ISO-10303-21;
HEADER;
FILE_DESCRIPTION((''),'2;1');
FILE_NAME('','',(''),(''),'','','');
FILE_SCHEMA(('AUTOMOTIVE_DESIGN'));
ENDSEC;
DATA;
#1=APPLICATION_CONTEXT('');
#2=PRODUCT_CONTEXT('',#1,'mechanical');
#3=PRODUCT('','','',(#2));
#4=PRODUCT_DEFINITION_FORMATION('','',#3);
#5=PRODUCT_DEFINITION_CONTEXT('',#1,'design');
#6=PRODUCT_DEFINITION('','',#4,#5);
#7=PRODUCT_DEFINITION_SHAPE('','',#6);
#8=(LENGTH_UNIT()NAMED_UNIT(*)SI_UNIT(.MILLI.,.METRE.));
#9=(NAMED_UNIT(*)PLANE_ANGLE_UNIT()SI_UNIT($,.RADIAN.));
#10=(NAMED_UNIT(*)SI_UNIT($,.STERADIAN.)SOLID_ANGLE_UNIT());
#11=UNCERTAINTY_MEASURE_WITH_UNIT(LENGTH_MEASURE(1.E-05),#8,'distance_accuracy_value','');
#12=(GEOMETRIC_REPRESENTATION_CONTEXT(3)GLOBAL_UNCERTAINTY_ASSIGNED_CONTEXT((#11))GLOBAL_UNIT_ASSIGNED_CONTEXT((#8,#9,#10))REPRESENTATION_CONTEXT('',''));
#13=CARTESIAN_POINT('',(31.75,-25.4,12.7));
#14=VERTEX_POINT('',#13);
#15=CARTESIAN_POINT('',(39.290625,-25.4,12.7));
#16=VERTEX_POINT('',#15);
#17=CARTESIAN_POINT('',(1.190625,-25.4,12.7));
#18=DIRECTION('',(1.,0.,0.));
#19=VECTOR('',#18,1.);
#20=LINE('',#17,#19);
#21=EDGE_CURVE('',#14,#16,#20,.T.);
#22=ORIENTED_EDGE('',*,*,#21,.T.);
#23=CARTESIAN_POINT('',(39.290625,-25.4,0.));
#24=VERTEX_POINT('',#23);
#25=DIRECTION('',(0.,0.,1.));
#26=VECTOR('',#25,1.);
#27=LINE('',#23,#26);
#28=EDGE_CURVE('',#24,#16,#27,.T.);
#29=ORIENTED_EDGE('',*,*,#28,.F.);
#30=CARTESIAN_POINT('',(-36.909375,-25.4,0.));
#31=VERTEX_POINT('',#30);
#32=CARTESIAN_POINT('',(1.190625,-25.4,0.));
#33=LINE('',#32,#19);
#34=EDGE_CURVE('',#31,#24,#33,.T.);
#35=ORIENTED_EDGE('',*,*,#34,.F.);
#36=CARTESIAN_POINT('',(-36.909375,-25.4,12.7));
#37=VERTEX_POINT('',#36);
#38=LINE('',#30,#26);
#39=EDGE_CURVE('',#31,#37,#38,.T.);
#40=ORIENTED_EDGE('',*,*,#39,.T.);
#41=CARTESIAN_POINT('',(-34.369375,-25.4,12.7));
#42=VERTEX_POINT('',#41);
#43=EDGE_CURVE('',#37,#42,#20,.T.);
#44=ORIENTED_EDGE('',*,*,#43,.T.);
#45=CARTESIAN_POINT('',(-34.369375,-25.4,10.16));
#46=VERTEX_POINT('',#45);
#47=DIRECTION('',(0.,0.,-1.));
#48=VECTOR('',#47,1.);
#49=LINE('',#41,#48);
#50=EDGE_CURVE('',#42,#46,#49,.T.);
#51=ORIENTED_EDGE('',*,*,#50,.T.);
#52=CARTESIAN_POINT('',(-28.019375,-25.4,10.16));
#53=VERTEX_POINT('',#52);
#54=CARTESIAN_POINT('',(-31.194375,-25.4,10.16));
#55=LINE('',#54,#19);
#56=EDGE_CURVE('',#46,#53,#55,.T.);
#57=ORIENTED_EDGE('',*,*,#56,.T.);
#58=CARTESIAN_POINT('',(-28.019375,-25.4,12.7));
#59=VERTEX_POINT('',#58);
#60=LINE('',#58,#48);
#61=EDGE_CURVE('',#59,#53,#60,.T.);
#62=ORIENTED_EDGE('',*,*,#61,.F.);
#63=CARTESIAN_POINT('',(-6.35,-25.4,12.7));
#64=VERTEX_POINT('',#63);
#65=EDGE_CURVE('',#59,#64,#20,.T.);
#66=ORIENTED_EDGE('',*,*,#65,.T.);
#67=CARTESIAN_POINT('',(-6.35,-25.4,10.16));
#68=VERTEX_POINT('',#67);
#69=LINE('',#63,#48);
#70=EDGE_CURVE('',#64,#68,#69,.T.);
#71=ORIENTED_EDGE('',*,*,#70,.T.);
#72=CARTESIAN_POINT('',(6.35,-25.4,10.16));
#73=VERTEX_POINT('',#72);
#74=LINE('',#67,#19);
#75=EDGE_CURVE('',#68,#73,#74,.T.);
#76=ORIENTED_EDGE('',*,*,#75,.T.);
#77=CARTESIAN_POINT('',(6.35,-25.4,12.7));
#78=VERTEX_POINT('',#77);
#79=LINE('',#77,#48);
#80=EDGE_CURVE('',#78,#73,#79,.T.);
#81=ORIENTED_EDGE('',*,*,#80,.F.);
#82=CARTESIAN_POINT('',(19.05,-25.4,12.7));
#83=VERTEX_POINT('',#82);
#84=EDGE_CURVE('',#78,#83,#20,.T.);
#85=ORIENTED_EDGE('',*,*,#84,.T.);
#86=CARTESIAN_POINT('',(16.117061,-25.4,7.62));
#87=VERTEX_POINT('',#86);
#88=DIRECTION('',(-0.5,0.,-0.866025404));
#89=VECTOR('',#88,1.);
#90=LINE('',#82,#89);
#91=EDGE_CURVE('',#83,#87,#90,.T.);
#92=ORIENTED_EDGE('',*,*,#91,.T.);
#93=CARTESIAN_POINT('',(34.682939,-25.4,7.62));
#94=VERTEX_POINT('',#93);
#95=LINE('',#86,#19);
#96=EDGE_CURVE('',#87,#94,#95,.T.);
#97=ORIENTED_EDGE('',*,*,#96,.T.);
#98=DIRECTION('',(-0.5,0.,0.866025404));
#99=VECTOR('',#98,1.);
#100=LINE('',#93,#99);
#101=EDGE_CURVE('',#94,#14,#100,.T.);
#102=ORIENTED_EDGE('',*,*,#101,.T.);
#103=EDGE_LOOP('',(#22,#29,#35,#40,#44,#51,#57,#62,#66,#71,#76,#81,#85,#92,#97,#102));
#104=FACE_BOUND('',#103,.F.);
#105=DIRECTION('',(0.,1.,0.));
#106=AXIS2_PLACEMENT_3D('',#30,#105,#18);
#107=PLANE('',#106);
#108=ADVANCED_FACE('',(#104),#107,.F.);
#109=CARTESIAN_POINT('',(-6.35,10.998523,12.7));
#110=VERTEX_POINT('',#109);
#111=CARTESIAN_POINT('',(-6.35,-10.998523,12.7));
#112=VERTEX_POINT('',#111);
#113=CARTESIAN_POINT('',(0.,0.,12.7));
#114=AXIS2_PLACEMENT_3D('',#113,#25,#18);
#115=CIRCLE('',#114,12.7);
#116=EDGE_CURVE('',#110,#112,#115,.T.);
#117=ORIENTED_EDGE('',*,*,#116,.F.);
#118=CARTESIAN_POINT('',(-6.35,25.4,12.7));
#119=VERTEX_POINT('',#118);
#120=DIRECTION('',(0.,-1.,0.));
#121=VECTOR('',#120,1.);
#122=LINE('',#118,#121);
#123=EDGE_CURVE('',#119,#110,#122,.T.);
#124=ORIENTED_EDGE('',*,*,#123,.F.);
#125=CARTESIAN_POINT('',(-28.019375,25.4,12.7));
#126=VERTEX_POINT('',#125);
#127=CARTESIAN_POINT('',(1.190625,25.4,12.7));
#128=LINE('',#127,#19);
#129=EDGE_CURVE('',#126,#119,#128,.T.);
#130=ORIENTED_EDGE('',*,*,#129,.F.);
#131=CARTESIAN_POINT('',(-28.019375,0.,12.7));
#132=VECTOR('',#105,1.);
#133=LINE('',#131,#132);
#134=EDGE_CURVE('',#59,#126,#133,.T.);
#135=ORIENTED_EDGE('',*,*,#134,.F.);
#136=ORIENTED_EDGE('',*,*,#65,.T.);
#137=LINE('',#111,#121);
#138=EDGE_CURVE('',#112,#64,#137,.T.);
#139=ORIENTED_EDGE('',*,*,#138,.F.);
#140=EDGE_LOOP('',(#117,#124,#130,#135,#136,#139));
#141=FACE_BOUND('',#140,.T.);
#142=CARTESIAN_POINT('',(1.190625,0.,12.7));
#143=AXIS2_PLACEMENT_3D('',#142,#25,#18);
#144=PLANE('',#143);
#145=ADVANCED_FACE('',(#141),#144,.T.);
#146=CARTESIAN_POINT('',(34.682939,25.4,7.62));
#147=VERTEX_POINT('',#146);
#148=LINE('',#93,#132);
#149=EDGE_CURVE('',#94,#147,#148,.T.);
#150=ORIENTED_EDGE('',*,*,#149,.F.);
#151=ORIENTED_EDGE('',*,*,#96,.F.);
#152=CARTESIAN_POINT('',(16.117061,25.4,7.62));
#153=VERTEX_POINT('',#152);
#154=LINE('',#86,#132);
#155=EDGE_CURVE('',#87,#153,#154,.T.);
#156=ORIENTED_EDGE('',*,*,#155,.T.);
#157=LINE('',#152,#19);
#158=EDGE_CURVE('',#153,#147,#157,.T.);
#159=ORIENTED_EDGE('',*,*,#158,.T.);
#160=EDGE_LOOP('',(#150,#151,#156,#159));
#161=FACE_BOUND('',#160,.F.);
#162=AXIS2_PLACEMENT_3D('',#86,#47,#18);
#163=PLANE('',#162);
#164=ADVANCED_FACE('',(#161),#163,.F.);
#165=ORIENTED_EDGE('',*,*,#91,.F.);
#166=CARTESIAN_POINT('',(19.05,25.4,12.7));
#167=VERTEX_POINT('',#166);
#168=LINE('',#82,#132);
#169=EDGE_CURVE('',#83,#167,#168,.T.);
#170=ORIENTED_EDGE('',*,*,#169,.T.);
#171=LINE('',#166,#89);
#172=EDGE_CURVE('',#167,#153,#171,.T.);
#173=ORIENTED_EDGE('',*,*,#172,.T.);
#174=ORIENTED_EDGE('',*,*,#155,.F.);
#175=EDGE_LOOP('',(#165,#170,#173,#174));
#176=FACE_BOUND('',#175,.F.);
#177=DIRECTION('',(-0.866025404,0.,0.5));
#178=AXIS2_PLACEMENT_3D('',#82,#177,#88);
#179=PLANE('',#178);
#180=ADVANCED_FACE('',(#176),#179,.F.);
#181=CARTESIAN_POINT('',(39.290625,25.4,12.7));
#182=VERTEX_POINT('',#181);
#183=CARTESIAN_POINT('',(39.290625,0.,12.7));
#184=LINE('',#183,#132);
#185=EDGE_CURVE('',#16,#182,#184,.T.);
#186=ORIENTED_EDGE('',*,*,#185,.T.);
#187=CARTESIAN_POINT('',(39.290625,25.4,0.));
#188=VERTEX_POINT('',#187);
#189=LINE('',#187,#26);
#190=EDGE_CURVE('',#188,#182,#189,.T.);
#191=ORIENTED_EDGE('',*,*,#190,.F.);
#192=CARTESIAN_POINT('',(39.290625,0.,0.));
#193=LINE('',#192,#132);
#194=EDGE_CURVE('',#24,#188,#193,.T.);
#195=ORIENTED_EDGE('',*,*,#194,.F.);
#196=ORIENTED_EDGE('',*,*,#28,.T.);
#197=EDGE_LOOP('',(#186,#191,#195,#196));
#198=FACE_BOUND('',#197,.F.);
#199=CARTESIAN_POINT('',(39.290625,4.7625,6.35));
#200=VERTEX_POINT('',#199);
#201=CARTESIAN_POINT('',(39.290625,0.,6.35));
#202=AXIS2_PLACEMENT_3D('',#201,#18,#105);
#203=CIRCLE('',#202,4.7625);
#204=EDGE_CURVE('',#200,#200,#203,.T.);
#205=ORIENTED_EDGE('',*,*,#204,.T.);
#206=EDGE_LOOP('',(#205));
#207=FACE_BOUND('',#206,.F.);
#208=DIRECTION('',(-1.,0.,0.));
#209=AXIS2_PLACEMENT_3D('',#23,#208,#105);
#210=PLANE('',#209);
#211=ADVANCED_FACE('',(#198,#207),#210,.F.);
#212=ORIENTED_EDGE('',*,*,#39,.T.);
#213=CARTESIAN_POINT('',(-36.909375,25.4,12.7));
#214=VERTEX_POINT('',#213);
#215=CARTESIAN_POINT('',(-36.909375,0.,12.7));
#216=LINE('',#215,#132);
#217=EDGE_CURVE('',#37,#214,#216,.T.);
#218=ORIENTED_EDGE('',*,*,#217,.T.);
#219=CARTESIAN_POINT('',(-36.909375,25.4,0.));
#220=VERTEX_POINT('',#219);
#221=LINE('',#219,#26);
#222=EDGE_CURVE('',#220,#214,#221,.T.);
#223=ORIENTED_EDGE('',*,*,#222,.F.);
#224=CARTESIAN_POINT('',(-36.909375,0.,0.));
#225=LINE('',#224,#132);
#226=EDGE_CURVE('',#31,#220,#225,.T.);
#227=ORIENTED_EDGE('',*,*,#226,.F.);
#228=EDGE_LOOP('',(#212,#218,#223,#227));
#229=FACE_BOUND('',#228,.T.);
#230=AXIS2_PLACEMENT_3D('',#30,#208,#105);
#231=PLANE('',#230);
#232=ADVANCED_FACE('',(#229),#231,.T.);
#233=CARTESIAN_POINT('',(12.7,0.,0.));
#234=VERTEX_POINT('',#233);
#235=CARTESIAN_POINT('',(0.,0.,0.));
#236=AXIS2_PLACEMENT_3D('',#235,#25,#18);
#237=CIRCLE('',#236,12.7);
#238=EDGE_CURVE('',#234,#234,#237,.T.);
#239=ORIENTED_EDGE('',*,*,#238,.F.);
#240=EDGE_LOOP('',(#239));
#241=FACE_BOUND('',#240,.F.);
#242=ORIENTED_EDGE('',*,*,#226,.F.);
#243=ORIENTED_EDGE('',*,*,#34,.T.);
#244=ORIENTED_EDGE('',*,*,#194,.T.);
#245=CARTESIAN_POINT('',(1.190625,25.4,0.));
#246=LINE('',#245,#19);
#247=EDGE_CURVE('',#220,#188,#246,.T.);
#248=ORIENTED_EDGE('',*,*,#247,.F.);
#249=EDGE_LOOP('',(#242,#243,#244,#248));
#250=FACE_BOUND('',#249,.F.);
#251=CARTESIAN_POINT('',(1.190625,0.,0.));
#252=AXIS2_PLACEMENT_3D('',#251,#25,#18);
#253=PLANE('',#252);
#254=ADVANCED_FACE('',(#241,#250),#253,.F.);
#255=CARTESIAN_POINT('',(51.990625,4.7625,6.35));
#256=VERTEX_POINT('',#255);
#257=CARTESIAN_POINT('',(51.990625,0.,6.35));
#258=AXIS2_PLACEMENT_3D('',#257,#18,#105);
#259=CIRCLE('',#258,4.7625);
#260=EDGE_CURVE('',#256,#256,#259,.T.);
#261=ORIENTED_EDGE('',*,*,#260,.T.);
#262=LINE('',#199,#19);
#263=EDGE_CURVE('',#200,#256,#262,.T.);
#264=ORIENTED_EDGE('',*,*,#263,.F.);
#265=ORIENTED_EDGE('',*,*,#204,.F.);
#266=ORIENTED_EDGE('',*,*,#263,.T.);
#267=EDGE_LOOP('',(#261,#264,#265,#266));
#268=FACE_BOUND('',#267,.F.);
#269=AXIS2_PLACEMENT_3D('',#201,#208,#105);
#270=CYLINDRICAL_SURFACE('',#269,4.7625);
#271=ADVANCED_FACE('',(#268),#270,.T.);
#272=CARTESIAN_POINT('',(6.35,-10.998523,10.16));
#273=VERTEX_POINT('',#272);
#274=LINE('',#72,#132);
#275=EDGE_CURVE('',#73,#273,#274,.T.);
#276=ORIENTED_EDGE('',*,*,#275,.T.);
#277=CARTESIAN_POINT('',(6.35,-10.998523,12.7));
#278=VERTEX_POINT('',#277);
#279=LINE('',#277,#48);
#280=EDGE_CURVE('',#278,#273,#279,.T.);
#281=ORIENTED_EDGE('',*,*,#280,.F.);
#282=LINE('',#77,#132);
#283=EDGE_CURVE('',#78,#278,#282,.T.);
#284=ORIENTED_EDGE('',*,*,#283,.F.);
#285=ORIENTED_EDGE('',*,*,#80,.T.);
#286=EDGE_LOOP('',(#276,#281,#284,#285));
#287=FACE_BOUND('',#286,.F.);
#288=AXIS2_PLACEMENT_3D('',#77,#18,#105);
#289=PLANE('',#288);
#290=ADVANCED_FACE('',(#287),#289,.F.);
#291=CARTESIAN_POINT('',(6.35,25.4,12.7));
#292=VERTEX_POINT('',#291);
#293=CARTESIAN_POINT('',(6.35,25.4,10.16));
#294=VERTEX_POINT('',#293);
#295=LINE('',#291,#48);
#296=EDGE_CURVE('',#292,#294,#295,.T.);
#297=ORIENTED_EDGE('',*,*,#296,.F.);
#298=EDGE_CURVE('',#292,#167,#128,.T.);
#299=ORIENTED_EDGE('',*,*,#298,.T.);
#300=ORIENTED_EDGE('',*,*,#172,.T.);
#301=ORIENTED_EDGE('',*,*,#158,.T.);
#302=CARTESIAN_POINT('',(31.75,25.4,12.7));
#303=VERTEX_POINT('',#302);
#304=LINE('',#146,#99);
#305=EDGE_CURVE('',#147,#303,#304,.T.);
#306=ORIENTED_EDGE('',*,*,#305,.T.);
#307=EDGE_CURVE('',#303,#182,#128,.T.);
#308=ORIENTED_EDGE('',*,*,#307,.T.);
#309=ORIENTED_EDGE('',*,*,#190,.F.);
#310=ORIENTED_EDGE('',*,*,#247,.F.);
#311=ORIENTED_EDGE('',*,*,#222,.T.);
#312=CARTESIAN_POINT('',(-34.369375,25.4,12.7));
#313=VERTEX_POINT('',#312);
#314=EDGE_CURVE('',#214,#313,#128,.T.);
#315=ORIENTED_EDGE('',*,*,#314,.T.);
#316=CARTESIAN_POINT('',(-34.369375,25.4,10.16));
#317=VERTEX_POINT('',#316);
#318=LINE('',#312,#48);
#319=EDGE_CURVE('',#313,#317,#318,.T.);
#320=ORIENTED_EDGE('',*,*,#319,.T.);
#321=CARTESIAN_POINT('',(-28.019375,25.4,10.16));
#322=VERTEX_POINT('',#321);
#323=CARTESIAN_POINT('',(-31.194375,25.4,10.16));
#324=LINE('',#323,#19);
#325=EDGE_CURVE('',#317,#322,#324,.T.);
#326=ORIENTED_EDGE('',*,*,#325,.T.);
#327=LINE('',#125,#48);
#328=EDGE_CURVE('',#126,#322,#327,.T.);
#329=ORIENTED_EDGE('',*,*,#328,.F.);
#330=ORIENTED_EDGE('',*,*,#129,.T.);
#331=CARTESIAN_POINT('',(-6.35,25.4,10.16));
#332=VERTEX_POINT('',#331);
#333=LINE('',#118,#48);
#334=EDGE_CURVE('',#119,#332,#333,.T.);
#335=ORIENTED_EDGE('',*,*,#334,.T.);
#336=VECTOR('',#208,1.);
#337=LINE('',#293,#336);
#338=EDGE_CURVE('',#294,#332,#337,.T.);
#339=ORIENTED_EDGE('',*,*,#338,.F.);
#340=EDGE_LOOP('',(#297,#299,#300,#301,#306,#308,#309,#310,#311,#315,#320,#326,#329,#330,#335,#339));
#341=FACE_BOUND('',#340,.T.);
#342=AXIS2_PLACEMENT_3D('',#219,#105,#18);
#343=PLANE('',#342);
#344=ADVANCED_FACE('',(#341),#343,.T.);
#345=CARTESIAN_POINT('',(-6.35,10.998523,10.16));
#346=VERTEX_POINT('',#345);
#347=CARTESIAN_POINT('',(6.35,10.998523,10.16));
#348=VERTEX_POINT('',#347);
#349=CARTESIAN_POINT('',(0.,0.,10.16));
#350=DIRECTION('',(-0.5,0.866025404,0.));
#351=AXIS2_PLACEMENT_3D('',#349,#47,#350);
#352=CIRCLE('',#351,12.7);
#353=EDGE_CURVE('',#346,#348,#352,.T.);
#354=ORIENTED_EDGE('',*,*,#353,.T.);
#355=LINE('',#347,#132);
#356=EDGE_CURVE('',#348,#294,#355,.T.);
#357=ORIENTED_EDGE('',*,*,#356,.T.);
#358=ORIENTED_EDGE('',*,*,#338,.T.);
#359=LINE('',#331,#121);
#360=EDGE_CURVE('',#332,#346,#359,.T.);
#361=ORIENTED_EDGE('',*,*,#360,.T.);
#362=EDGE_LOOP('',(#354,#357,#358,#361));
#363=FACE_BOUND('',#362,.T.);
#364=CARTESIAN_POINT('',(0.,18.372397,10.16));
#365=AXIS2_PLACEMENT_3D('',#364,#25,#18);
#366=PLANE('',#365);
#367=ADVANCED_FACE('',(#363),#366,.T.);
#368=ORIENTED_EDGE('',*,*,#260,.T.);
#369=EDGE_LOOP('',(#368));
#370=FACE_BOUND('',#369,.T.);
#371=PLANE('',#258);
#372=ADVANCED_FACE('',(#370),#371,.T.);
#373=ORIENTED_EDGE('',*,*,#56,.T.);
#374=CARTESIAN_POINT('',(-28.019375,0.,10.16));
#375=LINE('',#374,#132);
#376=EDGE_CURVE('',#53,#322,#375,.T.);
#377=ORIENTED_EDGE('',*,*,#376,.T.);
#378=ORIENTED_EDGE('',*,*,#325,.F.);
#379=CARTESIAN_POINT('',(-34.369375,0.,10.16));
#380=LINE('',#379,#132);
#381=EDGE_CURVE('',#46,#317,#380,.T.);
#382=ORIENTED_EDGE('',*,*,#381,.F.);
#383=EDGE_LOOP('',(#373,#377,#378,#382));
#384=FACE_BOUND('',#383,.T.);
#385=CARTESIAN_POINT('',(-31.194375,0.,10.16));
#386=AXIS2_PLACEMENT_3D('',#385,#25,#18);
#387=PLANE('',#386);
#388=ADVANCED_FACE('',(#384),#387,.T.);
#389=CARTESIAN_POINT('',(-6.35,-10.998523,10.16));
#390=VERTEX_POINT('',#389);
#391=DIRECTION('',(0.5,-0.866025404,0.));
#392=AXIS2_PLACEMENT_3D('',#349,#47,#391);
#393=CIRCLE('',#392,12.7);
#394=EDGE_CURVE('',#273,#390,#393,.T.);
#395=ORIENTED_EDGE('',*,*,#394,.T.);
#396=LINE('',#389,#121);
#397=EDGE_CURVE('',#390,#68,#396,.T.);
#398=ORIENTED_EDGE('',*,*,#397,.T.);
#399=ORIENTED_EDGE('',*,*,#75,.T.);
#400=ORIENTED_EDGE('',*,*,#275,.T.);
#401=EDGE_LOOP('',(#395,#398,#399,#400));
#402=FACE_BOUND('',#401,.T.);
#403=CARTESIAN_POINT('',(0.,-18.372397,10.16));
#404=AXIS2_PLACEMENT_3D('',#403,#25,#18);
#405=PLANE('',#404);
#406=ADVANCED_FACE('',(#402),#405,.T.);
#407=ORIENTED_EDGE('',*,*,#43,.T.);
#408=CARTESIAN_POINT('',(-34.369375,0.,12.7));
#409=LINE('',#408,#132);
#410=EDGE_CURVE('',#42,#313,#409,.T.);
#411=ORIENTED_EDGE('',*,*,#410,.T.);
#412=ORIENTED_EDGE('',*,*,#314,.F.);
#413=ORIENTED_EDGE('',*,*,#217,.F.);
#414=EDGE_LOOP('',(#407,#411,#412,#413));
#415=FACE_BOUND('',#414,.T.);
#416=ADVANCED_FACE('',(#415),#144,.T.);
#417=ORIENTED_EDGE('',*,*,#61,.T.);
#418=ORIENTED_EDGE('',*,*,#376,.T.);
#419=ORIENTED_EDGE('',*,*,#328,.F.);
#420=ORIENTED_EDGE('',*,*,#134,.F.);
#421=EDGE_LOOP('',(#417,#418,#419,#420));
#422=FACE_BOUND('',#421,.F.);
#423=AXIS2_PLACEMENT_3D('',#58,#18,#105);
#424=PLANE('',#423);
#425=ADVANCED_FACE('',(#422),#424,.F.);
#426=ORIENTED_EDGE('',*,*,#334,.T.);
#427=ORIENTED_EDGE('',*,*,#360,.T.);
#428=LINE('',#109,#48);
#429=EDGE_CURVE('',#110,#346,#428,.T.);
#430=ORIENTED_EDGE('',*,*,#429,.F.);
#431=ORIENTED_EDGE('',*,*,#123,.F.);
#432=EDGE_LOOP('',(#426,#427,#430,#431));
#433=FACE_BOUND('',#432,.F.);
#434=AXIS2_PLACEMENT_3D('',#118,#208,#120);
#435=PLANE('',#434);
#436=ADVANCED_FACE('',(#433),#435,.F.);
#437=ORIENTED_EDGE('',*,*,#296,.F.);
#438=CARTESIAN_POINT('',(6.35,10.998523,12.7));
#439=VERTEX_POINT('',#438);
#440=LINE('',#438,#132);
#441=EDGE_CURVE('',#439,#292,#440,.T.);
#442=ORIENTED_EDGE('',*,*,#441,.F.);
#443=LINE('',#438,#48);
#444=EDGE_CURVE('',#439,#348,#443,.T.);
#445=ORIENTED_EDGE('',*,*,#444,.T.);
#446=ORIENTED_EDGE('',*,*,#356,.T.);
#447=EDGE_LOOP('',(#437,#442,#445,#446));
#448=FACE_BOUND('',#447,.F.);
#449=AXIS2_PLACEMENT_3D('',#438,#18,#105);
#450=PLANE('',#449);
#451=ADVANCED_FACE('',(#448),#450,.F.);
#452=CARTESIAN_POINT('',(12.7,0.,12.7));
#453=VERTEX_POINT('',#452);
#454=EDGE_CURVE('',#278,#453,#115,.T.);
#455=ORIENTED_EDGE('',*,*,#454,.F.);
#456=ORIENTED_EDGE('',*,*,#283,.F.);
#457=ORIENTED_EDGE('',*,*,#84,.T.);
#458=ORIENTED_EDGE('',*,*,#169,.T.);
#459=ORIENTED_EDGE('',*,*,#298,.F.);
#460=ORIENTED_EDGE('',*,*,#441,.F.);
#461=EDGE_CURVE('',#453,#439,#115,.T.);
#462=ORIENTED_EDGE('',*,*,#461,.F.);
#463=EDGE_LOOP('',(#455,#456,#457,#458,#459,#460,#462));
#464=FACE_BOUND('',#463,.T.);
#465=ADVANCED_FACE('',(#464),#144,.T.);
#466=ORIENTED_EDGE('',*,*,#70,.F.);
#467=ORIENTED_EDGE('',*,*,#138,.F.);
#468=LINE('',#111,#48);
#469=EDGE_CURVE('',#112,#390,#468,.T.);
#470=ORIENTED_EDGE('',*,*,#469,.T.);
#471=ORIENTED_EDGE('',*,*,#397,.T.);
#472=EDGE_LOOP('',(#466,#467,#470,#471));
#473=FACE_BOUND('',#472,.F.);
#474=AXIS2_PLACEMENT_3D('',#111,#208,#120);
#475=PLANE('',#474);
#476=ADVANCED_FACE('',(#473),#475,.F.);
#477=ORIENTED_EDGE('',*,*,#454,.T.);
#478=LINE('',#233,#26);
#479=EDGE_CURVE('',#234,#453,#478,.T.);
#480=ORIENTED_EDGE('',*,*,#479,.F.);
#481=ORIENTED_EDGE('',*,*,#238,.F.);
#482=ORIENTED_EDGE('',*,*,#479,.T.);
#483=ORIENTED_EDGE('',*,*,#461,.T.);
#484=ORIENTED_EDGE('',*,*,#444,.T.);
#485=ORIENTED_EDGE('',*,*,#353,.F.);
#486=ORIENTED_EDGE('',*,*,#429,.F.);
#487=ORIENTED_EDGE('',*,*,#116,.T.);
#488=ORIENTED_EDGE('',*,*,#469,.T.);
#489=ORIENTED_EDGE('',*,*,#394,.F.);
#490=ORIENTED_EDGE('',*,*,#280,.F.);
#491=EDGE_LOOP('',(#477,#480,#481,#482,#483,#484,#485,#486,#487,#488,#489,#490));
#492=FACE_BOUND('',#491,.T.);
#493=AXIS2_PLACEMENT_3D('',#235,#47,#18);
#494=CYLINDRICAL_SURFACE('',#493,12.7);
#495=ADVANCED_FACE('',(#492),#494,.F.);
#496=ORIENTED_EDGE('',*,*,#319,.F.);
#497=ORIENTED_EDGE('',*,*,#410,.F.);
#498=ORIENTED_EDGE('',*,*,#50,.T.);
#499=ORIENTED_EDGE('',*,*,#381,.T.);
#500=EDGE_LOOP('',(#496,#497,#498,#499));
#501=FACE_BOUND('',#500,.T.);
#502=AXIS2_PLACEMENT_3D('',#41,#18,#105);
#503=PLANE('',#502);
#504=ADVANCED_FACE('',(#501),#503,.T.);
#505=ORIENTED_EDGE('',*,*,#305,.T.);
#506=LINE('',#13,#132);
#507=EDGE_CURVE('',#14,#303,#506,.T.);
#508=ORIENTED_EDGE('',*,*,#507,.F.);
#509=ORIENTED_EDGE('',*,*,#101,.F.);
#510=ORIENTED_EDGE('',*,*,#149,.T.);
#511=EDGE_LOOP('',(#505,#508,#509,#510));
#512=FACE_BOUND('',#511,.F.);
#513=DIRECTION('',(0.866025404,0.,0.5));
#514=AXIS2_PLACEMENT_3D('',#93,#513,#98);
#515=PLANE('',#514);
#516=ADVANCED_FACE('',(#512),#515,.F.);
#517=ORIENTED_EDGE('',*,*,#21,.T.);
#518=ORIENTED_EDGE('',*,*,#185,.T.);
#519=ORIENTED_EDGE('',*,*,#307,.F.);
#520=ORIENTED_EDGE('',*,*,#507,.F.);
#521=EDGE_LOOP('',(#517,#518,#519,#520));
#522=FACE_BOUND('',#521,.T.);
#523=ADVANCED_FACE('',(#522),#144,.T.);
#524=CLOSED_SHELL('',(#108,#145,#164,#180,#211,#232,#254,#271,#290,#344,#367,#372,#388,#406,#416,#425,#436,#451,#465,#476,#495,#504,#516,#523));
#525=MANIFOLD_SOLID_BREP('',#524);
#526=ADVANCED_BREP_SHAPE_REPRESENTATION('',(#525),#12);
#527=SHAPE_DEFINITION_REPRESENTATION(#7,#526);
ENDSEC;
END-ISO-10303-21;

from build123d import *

# Parameters (mm, degrees)
F0_W     = 76.2
F0_H     = 50.8
F0_R     = 12.7
F1_DEPTH = 12.7
F2_W     = 6.35
F2_H     = 50.8
F3_DEPTH = 2.54
F5_DEPTH = 50.8
F6_R     = 4.7625
F7_DEPTH = 12.7


with BuildPart() as f1:
    # F0 (on Top) → F1 (new body)
    with BuildSketch(Plane.XY):
        with Locations((1.190625, 0)):
            Rectangle(F0_W, F0_H)
        Circle(F0_R, mode=Mode.SUBTRACT)
    extrude(amount=F1_DEPTH)

    # F2 (on face) → F3 (cut)
    with BuildSketch(Plane.XY.offset(12.7)):
        with Locations((-31.194375, 0)):
            Rectangle(F2_W, F2_H)
        with BuildLine():
            Line((-6.35, -10.9985226281), (-6.35, -25.4))
            Line((-6.35, -25.4), (6.35, -25.4))
            Line((6.35, -25.4), (6.35, -10.9985226281))
            ThreePointArc((6.35, -10.9985226281), (0, -12.7), (-6.35, -10.9985226281))
        make_face()
        with BuildLine():
            Line((6.35, 25.4), (-6.35, 25.4))
            Line((-6.35, 25.4), (-6.35, 10.9985226281))
            ThreePointArc((-6.35, 10.9985226281), (0, 12.7), (6.35, 10.9985226281))
            Line((6.35, 10.9985226281), (6.35, 25.4))
        make_face()
    extrude(amount=-F3_DEPTH, mode=Mode.SUBTRACT)

    # F4 (on face) → F5 (cut)
    with BuildSketch(Plane.XZ.offset(25.4)):
        Polygon((31.75, 12.7), (19.05, 12.7), (16.1170606325, 7.62), (34.6829393675, 7.62), align=None)
    extrude(amount=-F5_DEPTH, mode=Mode.SUBTRACT)

    # F6 (on face) → F7 (join)
    with BuildSketch(Plane.YZ.offset(39.290625)):
        with Locations((0, 6.35)):
            Circle(F6_R)
    extrude(amount=F7_DEPTH)


solid = f1.part
